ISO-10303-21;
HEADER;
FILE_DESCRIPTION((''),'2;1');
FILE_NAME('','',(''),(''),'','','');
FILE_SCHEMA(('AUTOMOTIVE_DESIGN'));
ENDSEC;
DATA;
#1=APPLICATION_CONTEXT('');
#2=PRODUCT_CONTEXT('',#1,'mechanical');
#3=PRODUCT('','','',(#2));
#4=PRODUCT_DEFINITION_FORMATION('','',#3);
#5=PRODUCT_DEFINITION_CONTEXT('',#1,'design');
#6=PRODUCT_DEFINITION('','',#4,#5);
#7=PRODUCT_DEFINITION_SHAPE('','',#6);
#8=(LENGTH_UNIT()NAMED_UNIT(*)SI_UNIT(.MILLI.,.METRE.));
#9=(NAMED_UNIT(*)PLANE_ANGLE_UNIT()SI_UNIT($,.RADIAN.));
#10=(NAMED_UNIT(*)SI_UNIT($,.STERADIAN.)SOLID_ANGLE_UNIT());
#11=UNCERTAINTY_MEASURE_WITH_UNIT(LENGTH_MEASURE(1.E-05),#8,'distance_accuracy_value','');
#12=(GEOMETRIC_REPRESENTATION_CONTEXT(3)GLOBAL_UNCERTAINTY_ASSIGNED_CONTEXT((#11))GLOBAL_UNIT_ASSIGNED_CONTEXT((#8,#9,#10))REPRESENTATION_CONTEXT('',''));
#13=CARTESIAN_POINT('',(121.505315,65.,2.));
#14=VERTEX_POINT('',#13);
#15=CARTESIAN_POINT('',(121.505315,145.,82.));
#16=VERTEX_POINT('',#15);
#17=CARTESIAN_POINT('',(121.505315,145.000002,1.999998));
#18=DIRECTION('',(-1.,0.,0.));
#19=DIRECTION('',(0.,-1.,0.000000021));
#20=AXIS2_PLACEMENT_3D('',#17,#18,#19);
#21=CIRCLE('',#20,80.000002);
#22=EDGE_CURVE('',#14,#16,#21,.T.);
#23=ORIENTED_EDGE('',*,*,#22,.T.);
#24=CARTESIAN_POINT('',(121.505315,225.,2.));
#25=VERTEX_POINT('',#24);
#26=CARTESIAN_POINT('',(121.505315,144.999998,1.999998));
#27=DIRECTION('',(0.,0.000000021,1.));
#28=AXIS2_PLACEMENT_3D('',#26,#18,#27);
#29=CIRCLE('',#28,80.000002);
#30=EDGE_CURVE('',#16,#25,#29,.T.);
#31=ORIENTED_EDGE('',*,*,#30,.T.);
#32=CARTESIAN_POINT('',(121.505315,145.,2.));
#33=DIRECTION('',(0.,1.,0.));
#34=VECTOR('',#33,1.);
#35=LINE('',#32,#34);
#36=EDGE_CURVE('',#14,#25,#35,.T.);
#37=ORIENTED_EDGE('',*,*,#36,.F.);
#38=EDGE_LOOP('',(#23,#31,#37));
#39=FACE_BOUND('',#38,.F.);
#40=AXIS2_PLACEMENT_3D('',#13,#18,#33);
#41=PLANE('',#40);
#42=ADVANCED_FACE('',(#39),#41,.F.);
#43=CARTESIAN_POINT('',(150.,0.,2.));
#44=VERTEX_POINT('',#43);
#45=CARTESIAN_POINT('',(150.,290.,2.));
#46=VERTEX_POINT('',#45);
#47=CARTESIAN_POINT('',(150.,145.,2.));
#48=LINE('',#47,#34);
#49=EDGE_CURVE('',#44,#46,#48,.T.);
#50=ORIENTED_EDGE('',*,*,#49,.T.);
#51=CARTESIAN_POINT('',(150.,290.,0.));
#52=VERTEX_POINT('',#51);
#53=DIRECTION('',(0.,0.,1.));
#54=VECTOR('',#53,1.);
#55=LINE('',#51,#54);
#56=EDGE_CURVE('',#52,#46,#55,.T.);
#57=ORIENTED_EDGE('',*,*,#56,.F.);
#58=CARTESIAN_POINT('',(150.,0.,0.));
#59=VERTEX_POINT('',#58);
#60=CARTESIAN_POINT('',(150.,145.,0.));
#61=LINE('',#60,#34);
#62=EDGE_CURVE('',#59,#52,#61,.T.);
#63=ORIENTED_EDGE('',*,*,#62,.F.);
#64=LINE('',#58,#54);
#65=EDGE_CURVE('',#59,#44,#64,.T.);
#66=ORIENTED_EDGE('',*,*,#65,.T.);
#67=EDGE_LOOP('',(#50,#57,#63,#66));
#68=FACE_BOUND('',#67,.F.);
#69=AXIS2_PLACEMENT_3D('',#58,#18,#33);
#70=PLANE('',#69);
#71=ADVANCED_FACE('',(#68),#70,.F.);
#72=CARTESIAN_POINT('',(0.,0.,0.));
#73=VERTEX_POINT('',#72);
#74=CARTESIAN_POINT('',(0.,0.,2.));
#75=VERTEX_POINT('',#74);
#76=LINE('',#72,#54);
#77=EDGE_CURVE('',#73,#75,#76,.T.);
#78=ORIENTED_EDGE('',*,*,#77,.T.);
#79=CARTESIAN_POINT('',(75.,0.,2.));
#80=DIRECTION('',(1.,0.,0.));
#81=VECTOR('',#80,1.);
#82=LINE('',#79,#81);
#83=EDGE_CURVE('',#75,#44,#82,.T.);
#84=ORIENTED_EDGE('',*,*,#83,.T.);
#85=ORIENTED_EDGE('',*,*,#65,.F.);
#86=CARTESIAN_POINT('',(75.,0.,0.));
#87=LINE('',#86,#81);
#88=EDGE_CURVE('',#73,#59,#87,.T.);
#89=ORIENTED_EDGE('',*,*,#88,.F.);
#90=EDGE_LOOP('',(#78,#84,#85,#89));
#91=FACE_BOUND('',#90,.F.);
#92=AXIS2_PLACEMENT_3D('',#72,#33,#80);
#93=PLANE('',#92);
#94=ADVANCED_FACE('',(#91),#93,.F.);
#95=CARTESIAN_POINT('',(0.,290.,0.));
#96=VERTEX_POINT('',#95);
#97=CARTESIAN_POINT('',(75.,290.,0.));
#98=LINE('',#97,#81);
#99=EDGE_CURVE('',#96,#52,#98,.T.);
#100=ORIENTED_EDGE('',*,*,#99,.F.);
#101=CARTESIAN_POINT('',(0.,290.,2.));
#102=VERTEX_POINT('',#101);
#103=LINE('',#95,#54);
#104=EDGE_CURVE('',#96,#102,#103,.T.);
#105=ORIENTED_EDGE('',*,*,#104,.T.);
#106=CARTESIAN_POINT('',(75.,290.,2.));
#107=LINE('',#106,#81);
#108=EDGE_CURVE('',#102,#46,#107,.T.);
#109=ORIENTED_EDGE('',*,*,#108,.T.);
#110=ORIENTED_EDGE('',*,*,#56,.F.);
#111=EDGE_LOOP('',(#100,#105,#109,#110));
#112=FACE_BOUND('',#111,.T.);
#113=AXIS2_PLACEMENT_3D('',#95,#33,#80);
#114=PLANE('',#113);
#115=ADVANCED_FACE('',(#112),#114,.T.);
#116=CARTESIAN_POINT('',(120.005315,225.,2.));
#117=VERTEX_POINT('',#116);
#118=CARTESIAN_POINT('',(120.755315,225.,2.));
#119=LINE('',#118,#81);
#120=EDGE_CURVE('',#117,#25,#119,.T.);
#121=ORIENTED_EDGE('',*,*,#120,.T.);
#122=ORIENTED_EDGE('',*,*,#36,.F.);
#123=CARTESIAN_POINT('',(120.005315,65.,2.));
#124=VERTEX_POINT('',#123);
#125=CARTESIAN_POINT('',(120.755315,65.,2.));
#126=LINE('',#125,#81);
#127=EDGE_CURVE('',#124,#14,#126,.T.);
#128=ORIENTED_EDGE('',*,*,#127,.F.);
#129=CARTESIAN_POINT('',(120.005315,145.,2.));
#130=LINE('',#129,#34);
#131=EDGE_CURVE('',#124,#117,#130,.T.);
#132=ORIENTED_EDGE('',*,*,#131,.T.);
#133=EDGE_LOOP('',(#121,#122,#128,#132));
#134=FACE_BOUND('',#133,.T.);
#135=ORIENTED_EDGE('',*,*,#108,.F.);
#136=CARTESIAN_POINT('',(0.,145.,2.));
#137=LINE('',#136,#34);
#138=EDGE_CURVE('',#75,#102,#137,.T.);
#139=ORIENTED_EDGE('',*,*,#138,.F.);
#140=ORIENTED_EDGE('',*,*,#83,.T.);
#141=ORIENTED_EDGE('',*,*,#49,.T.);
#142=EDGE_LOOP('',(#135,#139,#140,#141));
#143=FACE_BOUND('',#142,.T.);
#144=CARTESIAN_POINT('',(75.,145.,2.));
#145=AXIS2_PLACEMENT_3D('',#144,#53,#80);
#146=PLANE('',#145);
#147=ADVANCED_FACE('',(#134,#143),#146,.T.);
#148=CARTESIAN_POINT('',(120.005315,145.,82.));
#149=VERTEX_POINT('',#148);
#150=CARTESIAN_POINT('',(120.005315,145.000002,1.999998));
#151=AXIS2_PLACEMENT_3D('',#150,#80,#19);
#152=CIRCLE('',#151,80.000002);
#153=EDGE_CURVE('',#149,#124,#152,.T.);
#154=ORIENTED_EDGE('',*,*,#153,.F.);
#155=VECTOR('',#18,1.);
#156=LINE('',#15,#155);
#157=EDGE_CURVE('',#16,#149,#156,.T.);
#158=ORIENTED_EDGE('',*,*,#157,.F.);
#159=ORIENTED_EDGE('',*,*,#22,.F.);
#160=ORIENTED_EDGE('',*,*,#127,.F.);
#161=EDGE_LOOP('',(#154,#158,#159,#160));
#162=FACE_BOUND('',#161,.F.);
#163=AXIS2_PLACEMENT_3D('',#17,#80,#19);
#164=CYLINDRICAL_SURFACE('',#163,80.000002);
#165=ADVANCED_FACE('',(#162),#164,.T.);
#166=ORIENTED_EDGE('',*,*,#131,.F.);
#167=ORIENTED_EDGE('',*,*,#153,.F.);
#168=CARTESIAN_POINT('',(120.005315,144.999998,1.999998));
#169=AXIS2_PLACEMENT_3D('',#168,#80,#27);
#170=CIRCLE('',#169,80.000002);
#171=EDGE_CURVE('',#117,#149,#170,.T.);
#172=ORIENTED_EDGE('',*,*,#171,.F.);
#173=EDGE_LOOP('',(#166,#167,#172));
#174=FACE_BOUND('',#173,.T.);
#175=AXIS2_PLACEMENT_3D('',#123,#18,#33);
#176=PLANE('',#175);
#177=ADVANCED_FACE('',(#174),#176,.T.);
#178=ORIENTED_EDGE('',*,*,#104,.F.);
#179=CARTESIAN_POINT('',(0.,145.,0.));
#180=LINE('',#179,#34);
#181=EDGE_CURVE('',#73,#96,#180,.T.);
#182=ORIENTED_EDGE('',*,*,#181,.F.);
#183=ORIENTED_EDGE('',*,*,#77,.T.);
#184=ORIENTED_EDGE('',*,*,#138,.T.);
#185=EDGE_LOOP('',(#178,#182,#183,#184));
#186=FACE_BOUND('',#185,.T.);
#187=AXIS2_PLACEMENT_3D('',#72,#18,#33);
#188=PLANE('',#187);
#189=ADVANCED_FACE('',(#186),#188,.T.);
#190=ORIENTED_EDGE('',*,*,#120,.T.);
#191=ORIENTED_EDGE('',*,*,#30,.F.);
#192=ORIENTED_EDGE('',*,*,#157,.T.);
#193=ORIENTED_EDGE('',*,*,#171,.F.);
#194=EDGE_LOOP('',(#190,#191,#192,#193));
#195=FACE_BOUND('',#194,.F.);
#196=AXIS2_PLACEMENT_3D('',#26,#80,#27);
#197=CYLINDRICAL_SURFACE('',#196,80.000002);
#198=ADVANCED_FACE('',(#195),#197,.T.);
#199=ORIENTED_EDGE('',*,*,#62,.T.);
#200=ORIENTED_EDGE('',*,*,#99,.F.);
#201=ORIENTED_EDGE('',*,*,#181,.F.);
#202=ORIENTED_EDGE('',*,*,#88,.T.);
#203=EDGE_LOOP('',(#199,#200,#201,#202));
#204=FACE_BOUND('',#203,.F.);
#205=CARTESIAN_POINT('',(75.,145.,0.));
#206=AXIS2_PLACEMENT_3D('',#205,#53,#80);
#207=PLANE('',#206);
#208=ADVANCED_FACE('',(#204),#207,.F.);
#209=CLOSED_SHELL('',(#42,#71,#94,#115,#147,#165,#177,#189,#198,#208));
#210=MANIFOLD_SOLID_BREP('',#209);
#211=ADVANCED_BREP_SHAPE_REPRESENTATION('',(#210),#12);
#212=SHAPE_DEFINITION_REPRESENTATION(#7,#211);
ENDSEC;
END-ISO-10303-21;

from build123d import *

# Parameters (mm, degrees)
F0_W     = 150
F0_H     = 290
F1_DEPTH = 2
F2_W     = 1.5
F2_H     = 160
F3_DEPTH = 80
F5_DEPTH = 25


with BuildPart() as f1:
    # F0 (on Top) → F1 (new body)
    with BuildSketch(Plane.XY):
        with Locations((75, 145)):
            Rectangle(F0_W, F0_H)
    extrude(amount=F1_DEPTH)

    # F2 (on face) → F3 (join)
    with BuildSketch(Plane.XY.offset(2)):
        with Locations((120.755315, 145)):
            Rectangle(F2_W, F2_H)
    extrude(amount=F3_DEPTH)

    # F4 (on face) → F5 (cut)
    with BuildSketch(Plane.YZ.offset(121.505315)):
        with BuildLine():
            Line((65, 82), (65, 2))
            ThreePointArc((65, 2), (88.431458, 58.568542), (145, 82))
            Line((145, 82), (65, 82))
        make_face()
        with BuildLine():
            ThreePointArc((145, 82), (201.568542, 58.568542), (225, 2))
            Line((225, 2), (225, 82))
            Line((225, 82), (145, 82))
        make_face()
    extrude(amount=-F5_DEPTH, mode=Mode.SUBTRACT)


solid = f1.part
